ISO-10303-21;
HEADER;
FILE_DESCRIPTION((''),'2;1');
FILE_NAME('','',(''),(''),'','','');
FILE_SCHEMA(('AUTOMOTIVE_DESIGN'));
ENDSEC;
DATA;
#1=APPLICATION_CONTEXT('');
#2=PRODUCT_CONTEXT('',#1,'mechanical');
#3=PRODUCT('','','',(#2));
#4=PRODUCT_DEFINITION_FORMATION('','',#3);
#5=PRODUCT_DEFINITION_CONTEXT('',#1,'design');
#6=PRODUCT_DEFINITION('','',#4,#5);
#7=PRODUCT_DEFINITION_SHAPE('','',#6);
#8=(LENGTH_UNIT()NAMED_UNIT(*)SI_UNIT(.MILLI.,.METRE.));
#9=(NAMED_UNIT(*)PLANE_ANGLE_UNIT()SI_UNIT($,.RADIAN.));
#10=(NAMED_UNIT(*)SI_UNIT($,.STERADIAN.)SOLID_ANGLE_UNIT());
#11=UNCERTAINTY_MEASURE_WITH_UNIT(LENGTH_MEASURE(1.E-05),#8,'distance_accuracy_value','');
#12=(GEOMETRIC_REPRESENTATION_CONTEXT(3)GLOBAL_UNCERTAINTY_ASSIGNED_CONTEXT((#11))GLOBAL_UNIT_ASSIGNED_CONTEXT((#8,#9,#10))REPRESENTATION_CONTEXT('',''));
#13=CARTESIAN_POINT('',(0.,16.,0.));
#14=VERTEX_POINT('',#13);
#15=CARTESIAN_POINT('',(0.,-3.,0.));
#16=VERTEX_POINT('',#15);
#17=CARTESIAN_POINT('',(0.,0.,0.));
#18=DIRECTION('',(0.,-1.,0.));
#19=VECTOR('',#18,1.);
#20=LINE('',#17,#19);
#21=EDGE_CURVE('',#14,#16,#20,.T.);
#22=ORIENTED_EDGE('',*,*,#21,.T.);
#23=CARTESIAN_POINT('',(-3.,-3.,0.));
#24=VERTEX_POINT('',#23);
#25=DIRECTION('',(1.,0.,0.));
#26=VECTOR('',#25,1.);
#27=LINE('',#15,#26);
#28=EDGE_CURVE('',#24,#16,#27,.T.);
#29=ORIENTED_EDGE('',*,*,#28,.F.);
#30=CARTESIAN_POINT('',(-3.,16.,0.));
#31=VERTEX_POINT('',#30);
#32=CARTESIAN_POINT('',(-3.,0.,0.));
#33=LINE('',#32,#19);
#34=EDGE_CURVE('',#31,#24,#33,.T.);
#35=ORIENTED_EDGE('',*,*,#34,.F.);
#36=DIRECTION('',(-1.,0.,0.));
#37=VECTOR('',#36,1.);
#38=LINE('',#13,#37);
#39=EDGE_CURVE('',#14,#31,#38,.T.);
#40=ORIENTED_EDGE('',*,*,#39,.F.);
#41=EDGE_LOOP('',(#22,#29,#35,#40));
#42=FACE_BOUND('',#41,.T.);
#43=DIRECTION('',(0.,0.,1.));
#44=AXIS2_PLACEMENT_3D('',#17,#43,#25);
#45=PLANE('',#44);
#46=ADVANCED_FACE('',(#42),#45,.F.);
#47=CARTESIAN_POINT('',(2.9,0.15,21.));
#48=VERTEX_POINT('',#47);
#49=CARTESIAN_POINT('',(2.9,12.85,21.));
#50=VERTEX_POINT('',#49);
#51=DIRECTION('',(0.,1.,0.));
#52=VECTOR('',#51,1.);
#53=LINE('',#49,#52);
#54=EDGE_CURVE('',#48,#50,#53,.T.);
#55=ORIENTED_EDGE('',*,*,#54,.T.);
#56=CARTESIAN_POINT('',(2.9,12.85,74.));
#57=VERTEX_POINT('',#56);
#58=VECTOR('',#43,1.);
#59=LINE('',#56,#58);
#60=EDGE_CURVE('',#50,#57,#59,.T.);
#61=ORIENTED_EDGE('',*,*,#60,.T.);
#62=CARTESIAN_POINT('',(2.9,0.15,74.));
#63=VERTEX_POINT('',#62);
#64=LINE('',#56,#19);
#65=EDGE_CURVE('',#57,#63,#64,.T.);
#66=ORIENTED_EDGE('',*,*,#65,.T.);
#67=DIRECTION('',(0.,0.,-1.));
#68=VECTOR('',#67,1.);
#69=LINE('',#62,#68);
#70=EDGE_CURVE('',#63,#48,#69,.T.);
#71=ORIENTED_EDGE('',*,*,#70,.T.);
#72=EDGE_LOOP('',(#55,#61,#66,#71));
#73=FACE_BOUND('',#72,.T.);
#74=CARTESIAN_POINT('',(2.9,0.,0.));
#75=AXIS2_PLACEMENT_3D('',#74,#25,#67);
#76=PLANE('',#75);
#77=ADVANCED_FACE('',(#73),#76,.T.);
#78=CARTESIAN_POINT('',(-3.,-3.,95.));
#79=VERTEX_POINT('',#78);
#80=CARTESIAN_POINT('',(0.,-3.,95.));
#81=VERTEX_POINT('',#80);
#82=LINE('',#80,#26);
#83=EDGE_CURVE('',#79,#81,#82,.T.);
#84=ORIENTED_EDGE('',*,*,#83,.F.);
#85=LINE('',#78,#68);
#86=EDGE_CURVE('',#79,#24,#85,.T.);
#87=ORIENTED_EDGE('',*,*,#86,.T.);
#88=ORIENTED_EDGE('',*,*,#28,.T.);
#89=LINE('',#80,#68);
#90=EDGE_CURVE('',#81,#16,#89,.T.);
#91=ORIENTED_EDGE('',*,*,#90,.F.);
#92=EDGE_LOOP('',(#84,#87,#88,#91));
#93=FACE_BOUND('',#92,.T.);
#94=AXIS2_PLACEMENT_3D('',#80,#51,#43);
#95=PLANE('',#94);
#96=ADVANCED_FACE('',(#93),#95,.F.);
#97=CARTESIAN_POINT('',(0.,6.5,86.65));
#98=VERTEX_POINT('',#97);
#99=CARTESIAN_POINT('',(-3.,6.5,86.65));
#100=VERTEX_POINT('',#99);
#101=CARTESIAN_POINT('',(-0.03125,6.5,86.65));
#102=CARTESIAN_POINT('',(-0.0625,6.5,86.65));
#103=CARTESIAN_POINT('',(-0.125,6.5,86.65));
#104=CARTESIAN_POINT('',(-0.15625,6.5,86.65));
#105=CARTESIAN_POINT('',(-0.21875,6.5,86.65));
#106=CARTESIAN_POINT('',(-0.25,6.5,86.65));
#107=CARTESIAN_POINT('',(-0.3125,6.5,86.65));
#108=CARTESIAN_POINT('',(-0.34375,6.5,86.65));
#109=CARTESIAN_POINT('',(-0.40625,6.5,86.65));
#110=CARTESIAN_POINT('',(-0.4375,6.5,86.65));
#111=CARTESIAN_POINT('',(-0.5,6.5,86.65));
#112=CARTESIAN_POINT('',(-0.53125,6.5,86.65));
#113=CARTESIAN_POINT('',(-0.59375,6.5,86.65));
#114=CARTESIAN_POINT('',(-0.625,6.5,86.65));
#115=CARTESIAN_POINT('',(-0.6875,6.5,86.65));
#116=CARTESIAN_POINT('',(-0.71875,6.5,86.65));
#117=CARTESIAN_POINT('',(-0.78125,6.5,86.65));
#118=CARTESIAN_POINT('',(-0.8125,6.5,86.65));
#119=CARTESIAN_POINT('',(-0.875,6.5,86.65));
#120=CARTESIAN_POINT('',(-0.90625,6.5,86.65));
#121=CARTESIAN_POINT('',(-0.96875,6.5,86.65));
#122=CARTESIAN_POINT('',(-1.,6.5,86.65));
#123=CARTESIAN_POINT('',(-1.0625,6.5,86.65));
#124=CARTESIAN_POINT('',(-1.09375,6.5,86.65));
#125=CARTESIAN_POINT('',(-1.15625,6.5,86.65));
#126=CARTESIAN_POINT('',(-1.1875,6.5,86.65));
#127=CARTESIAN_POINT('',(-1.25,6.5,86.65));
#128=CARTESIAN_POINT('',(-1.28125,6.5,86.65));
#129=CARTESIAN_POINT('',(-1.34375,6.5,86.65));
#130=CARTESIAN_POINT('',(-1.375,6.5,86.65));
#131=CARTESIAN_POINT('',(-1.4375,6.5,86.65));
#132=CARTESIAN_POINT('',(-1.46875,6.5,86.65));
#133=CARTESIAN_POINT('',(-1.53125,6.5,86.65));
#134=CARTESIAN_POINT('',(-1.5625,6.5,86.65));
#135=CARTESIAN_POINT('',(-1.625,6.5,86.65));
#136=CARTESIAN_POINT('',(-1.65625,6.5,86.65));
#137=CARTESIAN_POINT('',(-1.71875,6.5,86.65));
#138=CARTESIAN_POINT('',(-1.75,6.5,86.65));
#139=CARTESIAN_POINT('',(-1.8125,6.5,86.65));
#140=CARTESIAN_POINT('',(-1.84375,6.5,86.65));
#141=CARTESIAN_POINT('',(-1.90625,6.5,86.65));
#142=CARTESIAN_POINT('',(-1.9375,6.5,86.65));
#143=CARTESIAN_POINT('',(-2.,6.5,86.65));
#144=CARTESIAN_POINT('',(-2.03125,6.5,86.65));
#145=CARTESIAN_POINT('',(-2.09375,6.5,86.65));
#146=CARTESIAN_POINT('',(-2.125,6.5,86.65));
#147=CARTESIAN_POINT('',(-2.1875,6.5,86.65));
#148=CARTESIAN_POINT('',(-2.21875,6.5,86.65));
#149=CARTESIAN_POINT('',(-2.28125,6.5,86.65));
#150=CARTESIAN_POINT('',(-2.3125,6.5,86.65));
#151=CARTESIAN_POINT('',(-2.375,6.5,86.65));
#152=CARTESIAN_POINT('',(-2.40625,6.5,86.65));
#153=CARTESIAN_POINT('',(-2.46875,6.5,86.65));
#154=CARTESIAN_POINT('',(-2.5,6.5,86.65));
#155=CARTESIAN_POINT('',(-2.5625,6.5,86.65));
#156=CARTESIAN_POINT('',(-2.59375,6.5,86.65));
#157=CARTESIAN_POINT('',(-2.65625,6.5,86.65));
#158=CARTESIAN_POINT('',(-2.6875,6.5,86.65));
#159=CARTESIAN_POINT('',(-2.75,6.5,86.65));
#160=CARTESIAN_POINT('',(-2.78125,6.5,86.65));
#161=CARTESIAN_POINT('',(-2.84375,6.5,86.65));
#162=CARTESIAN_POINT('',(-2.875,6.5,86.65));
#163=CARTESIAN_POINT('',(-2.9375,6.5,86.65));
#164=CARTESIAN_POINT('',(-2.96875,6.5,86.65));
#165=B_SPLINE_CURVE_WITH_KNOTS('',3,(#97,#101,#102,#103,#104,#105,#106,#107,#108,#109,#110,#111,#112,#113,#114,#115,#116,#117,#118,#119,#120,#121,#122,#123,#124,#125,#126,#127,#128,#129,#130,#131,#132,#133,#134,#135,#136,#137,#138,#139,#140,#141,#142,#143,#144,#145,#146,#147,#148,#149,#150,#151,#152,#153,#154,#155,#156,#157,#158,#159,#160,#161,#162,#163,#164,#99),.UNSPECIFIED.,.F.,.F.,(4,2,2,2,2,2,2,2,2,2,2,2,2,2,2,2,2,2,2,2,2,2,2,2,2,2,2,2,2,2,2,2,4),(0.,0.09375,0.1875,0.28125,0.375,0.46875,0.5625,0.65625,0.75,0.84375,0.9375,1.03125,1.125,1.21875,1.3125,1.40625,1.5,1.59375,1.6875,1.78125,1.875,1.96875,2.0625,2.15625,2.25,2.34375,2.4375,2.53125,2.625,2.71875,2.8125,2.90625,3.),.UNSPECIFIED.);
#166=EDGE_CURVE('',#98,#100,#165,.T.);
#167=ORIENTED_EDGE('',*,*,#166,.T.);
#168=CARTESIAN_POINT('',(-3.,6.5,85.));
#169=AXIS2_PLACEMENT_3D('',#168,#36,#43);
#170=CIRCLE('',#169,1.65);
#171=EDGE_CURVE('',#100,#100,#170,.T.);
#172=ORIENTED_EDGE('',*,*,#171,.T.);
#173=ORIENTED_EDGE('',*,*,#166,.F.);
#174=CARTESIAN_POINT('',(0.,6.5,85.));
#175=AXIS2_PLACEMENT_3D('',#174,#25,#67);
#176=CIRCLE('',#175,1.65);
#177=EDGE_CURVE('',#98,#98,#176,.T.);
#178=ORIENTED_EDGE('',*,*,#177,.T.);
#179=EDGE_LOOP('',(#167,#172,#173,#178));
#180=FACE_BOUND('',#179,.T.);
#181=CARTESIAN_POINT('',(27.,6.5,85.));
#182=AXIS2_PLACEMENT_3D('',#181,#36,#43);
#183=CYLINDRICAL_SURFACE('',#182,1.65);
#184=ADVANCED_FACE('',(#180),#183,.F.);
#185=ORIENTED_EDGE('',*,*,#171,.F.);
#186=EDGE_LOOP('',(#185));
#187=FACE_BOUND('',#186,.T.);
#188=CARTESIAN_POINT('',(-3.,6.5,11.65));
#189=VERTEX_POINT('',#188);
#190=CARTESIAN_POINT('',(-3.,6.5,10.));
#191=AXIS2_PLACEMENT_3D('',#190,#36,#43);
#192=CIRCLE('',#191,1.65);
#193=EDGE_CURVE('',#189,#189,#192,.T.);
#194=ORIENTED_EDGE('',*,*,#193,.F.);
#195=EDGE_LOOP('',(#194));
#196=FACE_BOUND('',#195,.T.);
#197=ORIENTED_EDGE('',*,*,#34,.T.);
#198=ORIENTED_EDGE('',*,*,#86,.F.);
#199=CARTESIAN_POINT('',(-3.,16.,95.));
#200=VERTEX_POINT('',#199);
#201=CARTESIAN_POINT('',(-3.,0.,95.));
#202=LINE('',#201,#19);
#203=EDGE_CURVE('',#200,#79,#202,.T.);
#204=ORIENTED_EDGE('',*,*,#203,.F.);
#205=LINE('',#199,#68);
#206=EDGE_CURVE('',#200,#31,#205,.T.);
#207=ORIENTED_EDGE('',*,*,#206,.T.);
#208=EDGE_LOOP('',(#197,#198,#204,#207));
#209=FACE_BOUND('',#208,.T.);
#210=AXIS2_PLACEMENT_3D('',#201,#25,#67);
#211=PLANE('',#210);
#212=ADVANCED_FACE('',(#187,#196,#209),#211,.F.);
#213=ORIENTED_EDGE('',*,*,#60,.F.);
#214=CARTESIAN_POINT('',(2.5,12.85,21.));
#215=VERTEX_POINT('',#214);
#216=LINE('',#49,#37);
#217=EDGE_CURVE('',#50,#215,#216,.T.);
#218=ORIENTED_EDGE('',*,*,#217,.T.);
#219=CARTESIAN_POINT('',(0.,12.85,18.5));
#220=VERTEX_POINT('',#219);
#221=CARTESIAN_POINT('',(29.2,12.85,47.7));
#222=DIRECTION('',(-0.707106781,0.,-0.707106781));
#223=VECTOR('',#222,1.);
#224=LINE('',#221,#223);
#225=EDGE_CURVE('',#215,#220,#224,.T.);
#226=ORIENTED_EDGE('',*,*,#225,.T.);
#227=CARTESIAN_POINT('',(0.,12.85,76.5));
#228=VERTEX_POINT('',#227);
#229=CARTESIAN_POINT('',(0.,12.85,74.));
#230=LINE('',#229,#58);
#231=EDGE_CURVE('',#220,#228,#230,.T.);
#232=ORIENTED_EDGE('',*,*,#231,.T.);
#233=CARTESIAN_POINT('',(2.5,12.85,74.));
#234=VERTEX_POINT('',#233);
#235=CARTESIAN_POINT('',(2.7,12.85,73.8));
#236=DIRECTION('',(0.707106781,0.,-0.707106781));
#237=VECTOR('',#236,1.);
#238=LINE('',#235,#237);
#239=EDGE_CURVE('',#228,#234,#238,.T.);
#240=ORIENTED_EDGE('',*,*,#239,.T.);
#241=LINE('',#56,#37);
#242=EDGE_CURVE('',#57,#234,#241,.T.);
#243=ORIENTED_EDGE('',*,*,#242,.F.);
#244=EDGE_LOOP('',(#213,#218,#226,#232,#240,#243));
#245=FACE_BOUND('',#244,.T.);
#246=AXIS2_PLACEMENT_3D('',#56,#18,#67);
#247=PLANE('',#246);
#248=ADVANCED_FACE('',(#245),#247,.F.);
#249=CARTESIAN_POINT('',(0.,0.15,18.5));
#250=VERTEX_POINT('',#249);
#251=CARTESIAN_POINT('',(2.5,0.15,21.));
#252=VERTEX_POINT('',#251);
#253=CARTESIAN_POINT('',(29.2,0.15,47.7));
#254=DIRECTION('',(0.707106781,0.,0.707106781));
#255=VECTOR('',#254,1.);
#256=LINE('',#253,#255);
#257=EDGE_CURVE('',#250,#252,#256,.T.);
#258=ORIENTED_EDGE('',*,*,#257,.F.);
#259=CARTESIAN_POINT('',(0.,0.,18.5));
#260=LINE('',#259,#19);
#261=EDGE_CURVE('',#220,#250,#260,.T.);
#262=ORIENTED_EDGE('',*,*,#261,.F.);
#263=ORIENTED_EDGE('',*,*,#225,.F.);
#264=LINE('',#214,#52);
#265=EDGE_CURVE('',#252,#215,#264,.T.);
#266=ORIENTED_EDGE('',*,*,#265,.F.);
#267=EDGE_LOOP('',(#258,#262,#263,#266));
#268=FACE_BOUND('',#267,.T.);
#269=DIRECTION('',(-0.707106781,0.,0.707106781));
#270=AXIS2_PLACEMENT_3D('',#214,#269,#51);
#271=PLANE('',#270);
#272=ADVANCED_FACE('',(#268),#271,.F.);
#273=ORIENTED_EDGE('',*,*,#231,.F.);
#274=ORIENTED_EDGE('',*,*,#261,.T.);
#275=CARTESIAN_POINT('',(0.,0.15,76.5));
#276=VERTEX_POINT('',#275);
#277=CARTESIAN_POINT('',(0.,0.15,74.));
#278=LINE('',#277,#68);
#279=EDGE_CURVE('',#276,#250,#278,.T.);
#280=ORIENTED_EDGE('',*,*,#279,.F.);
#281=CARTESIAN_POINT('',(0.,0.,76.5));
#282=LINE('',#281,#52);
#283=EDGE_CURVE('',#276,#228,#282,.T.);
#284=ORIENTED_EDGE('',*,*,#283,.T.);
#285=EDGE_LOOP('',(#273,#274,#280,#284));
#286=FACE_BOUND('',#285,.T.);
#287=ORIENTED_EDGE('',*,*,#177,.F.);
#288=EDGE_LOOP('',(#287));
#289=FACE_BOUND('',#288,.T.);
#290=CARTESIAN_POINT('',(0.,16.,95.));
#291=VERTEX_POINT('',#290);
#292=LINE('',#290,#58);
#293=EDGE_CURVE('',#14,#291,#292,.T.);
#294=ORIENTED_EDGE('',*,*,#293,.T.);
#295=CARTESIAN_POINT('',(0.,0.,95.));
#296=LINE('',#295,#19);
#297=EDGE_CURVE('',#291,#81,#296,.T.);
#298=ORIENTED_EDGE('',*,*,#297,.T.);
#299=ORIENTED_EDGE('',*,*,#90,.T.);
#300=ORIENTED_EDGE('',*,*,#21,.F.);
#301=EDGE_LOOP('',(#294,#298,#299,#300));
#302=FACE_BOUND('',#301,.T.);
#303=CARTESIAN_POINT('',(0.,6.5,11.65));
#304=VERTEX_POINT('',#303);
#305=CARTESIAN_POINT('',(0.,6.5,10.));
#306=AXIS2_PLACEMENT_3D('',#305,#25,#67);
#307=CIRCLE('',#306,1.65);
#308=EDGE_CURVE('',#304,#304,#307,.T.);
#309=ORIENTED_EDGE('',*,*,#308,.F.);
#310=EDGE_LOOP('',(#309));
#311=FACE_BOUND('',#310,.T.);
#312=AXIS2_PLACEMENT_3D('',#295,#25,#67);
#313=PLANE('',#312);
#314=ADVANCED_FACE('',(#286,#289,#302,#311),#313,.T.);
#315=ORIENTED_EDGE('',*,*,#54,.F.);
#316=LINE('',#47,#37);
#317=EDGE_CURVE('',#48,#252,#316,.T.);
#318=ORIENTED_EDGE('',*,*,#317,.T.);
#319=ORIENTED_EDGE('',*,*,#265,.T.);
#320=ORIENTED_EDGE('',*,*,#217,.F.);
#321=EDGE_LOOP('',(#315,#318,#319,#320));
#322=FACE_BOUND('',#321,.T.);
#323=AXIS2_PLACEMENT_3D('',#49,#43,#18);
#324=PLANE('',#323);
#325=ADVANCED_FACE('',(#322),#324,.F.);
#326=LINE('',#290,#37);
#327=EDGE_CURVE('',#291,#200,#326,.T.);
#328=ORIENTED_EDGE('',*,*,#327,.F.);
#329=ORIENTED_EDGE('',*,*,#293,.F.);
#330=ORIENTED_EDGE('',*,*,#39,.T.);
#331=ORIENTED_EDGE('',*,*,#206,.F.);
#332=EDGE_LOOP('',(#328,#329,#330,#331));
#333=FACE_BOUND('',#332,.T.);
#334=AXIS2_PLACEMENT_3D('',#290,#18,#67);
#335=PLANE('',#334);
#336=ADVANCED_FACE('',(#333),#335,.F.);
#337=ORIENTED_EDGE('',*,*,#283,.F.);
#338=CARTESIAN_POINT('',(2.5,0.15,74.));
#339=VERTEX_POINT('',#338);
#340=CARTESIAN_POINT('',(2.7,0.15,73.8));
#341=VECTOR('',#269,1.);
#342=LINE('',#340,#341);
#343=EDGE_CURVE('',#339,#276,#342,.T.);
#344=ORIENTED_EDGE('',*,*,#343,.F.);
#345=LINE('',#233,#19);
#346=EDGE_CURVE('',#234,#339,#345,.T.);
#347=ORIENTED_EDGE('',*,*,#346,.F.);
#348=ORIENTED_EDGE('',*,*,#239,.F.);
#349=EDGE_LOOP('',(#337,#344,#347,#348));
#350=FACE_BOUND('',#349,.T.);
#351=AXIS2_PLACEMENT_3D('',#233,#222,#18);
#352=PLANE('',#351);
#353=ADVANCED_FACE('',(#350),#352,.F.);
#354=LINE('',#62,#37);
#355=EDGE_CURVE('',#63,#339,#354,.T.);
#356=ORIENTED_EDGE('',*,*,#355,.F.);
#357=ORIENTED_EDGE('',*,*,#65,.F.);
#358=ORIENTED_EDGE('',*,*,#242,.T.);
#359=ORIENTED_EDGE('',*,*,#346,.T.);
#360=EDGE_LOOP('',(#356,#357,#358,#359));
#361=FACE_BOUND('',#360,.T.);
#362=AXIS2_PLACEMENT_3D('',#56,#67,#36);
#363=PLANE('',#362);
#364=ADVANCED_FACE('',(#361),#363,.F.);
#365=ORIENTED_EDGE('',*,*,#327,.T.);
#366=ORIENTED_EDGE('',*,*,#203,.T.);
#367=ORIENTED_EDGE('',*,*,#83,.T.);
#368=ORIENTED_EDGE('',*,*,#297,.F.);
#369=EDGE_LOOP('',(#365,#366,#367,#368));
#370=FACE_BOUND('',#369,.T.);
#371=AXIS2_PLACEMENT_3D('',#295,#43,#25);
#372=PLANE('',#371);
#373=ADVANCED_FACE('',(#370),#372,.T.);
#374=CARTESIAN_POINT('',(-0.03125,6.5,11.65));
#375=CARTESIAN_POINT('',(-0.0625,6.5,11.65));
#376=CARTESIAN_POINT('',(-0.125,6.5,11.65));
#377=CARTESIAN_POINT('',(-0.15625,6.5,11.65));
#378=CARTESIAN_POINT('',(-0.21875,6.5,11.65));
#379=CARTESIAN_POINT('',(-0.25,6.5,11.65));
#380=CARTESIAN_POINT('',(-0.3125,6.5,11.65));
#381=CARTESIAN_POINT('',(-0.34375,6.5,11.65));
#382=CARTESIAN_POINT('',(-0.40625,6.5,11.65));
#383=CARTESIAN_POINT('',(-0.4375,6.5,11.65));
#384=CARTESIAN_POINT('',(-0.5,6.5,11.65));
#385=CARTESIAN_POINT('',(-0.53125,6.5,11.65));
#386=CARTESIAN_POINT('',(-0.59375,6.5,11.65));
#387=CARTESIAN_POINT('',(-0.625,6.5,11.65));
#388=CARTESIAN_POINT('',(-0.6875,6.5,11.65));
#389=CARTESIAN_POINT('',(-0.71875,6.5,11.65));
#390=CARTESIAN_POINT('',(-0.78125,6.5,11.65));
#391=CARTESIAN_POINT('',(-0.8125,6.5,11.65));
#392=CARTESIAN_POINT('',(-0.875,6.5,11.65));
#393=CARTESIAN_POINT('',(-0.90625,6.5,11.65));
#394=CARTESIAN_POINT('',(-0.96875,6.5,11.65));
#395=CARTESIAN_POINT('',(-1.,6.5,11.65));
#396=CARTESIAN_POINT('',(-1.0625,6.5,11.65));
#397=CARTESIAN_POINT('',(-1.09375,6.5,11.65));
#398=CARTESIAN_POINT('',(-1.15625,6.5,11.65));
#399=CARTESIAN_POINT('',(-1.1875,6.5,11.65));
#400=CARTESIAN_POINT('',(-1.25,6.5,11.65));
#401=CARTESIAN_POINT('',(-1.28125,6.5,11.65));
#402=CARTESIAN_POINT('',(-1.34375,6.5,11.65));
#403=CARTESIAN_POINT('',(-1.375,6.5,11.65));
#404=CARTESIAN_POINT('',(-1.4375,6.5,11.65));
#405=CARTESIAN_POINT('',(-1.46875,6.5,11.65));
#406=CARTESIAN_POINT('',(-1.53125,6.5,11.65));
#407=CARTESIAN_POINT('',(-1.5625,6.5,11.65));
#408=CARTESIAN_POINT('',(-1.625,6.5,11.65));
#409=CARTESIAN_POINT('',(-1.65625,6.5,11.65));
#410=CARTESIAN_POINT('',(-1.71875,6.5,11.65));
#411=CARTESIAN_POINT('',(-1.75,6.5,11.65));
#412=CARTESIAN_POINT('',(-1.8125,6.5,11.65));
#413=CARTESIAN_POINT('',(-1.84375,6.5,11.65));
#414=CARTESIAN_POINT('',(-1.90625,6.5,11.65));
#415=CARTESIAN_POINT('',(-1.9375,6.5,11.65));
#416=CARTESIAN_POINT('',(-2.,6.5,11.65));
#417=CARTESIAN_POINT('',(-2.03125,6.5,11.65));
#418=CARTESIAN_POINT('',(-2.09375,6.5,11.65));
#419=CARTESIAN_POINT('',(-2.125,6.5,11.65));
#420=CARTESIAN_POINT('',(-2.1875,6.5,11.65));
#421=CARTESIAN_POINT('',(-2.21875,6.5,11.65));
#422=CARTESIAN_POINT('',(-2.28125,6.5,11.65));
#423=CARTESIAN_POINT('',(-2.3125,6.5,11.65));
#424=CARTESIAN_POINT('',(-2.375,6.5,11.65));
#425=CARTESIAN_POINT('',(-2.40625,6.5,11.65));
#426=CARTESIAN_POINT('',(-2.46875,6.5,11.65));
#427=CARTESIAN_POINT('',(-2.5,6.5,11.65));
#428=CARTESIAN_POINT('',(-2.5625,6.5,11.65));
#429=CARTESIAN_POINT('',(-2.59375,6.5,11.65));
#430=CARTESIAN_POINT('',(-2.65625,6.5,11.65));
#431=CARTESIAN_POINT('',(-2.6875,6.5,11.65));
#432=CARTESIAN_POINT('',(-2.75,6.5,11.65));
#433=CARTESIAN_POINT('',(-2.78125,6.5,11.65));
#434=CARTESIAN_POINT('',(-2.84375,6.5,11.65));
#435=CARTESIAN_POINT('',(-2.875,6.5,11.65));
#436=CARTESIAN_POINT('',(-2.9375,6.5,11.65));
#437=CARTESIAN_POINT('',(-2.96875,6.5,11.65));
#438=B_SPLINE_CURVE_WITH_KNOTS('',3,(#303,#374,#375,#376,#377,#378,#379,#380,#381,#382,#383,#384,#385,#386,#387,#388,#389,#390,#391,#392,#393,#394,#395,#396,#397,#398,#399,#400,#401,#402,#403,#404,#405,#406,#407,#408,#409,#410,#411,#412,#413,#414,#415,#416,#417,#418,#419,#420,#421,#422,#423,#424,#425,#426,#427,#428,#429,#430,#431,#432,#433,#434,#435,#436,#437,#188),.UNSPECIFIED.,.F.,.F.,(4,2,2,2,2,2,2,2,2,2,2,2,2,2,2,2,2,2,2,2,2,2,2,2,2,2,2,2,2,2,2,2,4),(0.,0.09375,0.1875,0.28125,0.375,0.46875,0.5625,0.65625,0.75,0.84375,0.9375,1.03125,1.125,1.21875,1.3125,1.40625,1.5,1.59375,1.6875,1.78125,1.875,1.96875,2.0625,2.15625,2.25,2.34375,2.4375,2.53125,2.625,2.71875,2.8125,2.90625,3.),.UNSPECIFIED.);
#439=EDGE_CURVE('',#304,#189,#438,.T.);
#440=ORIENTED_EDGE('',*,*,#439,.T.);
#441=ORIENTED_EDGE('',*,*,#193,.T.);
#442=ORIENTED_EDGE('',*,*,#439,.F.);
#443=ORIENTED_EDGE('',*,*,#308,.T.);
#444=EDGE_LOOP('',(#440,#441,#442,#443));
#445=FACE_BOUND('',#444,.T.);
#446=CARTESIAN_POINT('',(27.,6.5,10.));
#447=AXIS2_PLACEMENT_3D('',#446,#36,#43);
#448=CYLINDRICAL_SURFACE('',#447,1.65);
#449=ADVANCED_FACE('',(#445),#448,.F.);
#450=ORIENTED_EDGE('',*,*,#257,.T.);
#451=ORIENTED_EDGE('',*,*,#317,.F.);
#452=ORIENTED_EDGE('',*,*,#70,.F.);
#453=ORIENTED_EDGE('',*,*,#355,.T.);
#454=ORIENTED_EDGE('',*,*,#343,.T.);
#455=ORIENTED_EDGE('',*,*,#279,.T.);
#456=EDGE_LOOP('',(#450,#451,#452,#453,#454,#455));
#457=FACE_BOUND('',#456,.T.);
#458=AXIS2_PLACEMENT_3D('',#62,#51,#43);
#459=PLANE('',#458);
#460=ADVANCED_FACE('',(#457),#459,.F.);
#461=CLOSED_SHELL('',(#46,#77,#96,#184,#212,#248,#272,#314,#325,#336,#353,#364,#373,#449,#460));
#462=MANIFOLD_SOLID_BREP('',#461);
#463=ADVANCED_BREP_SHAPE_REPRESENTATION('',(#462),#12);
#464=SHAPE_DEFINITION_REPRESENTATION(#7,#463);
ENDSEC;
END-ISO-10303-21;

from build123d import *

# Parameters (mm, degrees)
SKETCH_1_W          = 19
SKETCH_1_H          = 19
SKETCH_1_W_2        = 13
SKETCH_1_H_2        = 13
EXTRUDE_1_DEPTH     = 95
SKETCH_2_R          = 1.65
CUT_EXTRUDE_1_DEPTH = 30
SKETCH_3_W          = 95
SKETCH_3_H          = 19
CUT_EXTRUDE_2_DEPTH = 16
SKETCH_4_W          = 53
SKETCH_4_H          = 12.7
EXTRUDE_1_2_DEPTH   = 2.9
CHAMFER_1_SIZE      = 2.5


with BuildPart() as part:
    # 草图1 → Extrude 1 (new body)
    with BuildSketch(Plane.XY):
        with Locations((6.5, 6.5)):
            Rectangle(SKETCH_1_W, SKETCH_1_H)
        with Locations((6.5, 6.5)):
            Rectangle(SKETCH_1_W_2, SKETCH_1_H_2, mode=Mode.SUBTRACT)
    extrude(amount=EXTRUDE_1_DEPTH)

    # 草图2 → 切除-拉伸1 (cut)
    with BuildSketch(Plane.ZY.offset(3)):
        with Locations((10, 6.5)):
            Circle(SKETCH_2_R)
        with Locations((85, 6.5)):
            Circle(SKETCH_2_R)
    extrude(amount=-CUT_EXTRUDE_1_DEPTH, mode=Mode.SUBTRACT)

    # 草图3 → 切除-拉伸2 (cut)
    with BuildSketch(Plane(origin=(16, 0, 0), x_dir=(0, 0, -1), z_dir=(1, 0, 0))):
        with Locations((-47.5, 6.5)):
            Rectangle(SKETCH_3_W, SKETCH_3_H)
    extrude(amount=-CUT_EXTRUDE_2_DEPTH, mode=Mode.SUBTRACT)

    # 草图4 → Extrude 1 2 (add)
    with BuildSketch(Plane(origin=(0, 0, 0), x_dir=(0, 0, -1), z_dir=(1, 0, 0))):
        with Locations((-47.5, 6.5)):
            Rectangle(SKETCH_4_W, SKETCH_4_H)
    extrude(amount=EXTRUDE_1_2_DEPTH)

    # 倒角1
    chamfer_1_edges = [part.edges().sort_by_distance(p)[0] for p in [
        (0, 6.5, 74),
        (0, 6.5, 21),
    ]]
    chamfer(chamfer_1_edges, length=CHAMFER_1_SIZE)


solid = part.part
